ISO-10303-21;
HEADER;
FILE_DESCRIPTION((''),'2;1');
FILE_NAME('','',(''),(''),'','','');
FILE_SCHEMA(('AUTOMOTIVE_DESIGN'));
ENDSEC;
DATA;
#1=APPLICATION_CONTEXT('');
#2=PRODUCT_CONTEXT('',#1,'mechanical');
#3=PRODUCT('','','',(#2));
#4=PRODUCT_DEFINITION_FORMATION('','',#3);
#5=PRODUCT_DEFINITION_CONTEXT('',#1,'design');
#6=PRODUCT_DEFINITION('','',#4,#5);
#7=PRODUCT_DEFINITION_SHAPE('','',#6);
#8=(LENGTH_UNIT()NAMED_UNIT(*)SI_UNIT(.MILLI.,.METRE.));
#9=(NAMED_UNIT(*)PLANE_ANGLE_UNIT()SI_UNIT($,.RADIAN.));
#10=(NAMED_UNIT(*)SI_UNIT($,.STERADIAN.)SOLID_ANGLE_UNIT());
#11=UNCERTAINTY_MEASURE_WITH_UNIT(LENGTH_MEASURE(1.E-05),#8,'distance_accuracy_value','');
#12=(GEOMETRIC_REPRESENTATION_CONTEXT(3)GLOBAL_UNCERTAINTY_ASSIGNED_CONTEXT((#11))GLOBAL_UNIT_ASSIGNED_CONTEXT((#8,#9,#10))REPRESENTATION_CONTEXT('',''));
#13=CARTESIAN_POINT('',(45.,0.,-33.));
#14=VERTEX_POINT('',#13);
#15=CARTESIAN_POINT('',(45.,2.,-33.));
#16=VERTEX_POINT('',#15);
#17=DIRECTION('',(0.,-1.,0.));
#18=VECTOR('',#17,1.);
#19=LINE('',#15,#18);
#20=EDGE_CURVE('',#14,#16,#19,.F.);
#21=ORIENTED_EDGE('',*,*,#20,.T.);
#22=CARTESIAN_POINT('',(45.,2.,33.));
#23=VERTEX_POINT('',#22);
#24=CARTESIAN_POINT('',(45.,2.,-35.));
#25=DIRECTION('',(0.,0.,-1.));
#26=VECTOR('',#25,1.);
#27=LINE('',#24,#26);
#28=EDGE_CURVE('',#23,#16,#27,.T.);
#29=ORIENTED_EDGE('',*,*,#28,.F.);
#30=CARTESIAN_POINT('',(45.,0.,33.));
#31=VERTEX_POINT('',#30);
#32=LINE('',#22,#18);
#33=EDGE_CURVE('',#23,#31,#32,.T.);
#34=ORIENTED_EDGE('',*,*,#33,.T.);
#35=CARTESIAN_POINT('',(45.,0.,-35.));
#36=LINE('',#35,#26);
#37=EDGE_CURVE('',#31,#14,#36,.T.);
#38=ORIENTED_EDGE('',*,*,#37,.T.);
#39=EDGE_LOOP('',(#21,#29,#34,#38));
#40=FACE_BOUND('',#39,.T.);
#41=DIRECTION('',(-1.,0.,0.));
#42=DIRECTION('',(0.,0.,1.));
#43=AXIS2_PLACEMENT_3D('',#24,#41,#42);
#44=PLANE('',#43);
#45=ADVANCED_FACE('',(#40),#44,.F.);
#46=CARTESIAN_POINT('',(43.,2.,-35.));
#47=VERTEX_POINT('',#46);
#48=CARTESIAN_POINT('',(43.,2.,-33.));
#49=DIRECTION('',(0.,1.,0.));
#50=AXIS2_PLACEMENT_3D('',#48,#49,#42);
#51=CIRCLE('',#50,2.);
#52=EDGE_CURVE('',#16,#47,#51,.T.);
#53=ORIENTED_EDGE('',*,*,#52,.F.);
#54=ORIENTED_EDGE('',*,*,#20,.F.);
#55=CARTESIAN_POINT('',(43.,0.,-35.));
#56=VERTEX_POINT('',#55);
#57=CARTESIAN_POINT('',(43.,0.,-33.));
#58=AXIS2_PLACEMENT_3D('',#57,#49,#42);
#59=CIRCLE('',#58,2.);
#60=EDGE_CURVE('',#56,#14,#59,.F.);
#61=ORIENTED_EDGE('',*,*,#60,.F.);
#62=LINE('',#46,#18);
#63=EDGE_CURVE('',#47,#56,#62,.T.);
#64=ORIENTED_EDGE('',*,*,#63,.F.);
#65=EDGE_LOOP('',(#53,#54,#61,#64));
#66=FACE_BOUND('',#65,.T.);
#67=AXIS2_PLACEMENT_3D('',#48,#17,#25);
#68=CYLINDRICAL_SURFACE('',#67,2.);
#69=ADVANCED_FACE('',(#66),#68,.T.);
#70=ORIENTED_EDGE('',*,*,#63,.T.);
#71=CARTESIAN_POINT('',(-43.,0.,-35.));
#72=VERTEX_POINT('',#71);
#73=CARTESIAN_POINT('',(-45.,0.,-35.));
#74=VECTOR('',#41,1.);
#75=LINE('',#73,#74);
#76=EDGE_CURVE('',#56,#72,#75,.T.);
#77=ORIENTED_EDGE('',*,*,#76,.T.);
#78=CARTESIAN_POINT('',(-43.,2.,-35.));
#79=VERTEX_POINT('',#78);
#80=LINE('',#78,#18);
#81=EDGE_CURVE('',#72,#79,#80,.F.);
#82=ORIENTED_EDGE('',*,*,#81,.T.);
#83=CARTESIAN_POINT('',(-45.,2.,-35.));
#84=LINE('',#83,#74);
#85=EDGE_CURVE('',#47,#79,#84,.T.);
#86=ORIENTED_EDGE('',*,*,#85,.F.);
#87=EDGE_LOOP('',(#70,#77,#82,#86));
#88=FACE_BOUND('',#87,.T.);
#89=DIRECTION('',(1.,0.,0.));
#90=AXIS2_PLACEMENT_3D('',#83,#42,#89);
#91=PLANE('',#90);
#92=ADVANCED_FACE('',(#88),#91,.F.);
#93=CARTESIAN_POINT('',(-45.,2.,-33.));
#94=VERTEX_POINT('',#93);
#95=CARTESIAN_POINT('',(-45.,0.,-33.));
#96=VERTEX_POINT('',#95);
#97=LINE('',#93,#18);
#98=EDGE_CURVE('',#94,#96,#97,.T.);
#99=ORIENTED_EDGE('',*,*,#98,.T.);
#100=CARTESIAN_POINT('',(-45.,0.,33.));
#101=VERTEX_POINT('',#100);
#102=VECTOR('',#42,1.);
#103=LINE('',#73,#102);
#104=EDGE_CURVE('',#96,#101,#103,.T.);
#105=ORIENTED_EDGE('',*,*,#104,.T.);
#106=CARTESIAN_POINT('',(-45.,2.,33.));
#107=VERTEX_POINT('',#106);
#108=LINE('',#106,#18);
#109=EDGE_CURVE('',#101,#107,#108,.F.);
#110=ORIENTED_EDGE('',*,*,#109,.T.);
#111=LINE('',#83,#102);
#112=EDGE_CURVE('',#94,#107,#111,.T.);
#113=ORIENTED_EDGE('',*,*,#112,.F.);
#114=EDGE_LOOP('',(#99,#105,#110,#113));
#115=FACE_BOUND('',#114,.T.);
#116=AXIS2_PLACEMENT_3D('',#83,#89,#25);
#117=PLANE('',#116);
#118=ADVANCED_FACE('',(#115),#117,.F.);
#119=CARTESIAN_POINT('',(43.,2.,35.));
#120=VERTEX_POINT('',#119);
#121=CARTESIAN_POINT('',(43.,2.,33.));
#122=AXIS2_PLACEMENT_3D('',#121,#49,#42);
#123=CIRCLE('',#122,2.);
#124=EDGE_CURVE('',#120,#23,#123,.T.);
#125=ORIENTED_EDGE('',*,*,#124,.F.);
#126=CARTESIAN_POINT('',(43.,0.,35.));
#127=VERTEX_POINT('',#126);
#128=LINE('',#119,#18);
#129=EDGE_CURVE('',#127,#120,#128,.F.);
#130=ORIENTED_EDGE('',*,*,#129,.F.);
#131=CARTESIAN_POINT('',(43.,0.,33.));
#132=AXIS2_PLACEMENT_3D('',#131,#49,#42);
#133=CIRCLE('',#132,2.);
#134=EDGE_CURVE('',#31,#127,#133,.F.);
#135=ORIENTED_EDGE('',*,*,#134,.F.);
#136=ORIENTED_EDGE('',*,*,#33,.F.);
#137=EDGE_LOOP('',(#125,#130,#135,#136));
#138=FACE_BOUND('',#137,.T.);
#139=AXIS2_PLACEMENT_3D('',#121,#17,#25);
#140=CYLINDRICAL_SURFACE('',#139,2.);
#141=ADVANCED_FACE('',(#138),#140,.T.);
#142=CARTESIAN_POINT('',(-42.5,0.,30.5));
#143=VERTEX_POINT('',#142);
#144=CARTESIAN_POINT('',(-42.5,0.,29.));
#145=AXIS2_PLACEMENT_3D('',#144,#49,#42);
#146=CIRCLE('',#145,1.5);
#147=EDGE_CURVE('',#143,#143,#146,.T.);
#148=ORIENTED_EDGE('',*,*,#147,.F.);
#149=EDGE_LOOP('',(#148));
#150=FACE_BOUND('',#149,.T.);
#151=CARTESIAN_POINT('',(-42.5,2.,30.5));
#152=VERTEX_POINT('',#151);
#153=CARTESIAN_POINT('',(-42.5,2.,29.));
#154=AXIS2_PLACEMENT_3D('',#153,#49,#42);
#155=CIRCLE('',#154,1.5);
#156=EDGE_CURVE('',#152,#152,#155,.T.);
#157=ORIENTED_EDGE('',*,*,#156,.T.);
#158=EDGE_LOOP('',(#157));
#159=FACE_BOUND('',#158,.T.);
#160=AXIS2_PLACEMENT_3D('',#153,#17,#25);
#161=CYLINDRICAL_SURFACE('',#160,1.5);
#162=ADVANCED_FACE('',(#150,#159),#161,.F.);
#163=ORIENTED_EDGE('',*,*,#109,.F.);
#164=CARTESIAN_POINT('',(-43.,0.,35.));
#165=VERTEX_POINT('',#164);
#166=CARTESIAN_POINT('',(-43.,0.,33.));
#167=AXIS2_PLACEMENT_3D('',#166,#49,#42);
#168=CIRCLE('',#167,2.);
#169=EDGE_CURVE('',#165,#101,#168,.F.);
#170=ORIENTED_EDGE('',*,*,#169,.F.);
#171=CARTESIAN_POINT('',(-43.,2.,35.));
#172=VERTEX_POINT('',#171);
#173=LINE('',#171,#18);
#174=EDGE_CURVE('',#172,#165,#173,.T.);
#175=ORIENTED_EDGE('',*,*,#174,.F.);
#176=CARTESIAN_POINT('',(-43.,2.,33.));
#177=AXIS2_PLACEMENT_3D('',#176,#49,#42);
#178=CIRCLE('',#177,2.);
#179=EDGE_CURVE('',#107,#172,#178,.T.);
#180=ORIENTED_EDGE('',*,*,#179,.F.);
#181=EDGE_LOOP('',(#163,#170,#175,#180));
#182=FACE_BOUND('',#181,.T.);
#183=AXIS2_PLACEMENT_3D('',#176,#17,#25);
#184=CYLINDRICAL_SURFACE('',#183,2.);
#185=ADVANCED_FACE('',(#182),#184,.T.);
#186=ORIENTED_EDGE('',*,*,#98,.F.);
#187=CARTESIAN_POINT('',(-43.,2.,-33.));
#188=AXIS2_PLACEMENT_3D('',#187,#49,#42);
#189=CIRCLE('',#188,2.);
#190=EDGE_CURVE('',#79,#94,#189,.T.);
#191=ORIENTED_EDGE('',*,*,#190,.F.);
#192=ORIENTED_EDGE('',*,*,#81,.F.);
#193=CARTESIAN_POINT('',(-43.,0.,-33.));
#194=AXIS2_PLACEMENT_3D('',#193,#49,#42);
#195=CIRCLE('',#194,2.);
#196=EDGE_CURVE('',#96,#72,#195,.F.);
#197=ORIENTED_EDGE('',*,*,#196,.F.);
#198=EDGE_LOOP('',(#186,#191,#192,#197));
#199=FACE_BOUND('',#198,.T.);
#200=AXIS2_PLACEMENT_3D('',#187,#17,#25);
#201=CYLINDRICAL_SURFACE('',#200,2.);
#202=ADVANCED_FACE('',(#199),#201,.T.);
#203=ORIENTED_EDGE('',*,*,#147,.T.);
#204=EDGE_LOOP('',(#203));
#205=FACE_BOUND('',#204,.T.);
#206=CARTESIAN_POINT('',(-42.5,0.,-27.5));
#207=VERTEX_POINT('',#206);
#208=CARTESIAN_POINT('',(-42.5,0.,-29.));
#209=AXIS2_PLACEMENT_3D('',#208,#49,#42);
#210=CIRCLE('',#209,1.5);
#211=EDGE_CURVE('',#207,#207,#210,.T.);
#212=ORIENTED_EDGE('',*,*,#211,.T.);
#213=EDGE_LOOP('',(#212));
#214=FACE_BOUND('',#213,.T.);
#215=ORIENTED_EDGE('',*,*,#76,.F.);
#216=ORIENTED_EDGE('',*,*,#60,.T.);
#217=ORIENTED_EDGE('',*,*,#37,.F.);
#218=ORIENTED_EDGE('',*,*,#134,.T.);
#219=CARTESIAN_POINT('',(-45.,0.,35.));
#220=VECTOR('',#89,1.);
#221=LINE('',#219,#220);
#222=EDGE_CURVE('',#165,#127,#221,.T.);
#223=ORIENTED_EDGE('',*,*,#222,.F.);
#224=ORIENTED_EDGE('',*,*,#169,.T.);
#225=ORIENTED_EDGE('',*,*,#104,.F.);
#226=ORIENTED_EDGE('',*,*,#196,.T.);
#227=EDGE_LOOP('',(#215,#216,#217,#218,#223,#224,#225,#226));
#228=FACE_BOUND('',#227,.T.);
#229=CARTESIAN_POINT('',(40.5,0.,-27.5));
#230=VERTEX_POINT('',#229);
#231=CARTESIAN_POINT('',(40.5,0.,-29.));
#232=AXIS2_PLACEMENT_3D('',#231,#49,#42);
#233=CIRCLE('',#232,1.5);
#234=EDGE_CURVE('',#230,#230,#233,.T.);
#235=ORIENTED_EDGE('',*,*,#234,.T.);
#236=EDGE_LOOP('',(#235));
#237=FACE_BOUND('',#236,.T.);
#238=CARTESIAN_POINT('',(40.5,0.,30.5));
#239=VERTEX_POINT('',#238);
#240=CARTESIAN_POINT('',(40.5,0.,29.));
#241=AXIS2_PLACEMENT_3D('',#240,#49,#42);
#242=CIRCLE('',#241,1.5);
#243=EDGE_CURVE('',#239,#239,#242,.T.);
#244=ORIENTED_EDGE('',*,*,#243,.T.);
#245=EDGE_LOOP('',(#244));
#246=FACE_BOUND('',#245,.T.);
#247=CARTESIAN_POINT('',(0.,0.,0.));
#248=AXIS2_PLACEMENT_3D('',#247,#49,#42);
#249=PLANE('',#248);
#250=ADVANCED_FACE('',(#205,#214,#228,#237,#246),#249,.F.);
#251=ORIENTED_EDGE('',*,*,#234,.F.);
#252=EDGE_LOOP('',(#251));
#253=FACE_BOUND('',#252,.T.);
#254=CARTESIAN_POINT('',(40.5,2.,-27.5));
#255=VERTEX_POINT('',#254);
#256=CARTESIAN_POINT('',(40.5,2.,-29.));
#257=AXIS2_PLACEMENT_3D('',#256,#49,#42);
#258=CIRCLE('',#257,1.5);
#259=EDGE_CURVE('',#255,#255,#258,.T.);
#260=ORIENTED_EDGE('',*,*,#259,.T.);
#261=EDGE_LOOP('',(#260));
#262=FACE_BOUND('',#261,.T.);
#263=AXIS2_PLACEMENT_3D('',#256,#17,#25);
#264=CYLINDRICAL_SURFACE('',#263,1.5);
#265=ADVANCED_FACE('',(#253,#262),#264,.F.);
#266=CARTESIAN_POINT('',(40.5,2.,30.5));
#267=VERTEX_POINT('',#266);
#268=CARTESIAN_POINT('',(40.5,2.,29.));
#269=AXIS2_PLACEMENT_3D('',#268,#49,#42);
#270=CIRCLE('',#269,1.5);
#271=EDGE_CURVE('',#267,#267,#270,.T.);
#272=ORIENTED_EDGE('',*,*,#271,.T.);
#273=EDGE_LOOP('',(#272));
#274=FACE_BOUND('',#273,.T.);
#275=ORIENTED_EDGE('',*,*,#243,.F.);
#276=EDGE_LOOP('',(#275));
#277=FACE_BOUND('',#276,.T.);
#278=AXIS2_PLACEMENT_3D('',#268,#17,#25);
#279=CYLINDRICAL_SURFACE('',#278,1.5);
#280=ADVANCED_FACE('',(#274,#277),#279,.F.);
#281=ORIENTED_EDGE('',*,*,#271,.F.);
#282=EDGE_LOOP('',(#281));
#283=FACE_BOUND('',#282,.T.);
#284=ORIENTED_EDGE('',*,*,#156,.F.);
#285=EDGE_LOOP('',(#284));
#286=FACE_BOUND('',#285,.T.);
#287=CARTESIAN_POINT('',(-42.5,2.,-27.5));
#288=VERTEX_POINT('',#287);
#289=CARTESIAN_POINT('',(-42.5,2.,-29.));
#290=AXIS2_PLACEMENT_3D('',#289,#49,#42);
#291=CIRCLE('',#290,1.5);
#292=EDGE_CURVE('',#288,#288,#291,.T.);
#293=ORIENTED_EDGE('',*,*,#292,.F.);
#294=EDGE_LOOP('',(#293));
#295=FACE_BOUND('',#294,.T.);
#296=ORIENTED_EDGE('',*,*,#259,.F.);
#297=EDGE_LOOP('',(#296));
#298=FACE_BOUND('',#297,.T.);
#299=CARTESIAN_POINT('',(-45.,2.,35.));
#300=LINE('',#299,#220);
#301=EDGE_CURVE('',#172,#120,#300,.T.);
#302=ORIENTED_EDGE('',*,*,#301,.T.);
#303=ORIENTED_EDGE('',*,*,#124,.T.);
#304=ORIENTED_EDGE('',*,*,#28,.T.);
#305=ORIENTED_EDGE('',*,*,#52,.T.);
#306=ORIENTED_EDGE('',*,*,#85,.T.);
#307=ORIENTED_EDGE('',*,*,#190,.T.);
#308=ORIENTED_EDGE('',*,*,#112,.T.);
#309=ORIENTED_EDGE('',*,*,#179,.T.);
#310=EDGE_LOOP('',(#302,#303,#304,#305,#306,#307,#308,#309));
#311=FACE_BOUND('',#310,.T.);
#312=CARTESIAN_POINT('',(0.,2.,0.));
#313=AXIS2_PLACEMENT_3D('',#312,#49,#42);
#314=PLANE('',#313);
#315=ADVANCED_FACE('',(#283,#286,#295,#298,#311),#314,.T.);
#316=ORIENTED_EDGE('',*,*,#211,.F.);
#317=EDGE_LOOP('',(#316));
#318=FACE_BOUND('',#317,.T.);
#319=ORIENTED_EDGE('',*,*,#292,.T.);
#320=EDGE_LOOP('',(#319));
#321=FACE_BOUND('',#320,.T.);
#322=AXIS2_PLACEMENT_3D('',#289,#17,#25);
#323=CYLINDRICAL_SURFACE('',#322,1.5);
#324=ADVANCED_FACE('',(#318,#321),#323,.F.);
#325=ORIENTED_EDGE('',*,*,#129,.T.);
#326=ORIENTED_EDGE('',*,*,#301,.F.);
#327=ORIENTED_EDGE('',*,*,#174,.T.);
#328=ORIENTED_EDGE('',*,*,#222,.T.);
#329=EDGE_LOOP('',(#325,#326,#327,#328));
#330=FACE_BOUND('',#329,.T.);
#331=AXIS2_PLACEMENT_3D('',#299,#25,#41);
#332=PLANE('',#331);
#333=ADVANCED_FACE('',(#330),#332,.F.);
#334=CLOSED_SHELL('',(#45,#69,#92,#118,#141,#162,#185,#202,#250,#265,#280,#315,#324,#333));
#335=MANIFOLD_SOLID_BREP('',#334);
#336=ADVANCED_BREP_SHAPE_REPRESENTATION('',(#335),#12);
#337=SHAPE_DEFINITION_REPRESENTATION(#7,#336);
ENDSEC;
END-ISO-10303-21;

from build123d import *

# Parameters (mm, degrees)
CROQUIS1_W              = 90
CROQUIS1_H              = 70
CROQUIS1_R              = 1.5
SALIENTE_EXTRUIR1_DEPTH = 2
REDONDEO1_R             = 2


with BuildPart() as part:
    # Croquis1 → Saliente-Extruir1 (new body)
    with BuildSketch(Plane(origin=(0, 0, 0), x_dir=(1, 0, 0), z_dir=(0, 1, 0))):
        Rectangle(CROQUIS1_W, CROQUIS1_H)
        with Locations(Location((-42.5, -29, 0), (0, 0, 270))):
            Circle(CROQUIS1_R, mode=Mode.SUBTRACT)
        with Locations(Location((-42.5, 29, 0), (0, 0, 270))):
            Circle(CROQUIS1_R, mode=Mode.SUBTRACT)
        with Locations(Location((40.5, -29, 0), (0, 0, 270))):
            Circle(CROQUIS1_R, mode=Mode.SUBTRACT)
        with Locations(Location((40.5, 29, 0), (0, 0, 270))):
            Circle(CROQUIS1_R, mode=Mode.SUBTRACT)
    extrude(amount=SALIENTE_EXTRUIR1_DEPTH)

    # Redondeo1
    redondeo1_edges = [part.edges().sort_by_distance(p)[0] for p in [
        (-45, 1, -35),
        (45, 1, -35),
        (45, 1, 35),
        (-45, 1, 35),
    ]]
    fillet(redondeo1_edges, radius=REDONDEO1_R)


solid = part.part
